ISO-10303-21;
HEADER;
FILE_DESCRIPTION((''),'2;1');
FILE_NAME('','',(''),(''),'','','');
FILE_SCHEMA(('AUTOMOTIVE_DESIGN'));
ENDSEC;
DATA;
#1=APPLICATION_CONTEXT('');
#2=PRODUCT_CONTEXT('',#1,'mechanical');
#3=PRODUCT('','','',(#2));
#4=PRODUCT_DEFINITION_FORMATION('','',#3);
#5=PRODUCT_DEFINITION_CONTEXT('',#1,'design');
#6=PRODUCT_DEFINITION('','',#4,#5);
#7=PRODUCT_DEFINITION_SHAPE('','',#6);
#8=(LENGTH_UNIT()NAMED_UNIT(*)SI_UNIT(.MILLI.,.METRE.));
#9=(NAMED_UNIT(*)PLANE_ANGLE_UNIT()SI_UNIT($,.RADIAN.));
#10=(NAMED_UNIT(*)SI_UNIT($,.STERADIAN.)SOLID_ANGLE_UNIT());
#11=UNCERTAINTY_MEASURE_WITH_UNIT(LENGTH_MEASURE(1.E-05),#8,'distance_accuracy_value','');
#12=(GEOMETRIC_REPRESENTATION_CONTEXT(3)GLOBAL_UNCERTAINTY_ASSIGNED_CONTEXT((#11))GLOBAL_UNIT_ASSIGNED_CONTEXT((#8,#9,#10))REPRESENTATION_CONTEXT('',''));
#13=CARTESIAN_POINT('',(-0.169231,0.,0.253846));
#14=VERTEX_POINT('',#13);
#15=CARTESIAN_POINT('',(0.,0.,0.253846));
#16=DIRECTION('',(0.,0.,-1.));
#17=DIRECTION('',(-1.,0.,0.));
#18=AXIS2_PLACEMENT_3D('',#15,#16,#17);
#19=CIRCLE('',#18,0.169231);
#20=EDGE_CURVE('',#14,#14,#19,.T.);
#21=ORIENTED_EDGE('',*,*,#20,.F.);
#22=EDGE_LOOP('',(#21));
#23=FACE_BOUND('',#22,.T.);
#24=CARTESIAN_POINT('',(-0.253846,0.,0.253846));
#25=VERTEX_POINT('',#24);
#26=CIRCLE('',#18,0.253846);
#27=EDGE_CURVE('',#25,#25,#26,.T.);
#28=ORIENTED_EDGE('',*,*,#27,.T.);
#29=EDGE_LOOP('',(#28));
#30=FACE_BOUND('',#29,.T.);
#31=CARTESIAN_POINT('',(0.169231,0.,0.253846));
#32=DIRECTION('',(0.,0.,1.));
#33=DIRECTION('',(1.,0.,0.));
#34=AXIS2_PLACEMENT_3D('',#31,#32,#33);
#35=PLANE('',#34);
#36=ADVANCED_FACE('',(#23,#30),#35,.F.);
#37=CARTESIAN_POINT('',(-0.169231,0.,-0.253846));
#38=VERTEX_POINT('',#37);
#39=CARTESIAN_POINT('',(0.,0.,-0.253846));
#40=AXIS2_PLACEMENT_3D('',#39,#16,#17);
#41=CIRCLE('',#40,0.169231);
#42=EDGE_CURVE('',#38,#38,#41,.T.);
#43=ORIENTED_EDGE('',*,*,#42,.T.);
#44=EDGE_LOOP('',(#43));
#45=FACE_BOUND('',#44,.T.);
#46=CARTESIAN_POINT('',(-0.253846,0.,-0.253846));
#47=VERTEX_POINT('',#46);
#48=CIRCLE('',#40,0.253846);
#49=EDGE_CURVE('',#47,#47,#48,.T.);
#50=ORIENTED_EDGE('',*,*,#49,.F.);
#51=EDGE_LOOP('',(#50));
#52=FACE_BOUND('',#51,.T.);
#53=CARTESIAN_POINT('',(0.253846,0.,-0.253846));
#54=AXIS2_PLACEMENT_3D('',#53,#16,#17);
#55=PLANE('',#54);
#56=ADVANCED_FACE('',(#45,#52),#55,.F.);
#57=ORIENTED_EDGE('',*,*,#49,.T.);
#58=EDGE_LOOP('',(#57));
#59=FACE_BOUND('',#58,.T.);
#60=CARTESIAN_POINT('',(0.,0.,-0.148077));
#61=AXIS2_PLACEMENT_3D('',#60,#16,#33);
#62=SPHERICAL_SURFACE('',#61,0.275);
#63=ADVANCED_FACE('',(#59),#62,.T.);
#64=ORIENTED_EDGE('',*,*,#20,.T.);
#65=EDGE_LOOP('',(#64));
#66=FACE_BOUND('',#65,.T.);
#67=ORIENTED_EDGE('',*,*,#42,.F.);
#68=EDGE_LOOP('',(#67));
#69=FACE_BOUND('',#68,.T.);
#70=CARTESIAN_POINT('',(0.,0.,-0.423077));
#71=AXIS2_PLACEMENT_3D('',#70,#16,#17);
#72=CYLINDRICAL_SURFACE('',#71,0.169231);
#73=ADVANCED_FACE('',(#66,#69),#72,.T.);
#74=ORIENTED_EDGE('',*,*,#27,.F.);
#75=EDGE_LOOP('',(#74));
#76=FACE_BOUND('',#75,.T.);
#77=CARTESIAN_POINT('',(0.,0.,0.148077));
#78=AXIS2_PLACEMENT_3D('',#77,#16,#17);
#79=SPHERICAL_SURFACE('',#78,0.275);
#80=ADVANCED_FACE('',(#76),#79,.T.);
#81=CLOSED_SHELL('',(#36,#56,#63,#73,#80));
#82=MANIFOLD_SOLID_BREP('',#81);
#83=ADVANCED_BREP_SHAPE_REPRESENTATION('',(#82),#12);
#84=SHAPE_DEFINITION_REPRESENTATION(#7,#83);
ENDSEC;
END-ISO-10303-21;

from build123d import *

# Parameters (mm, degrees)
SCALE_1_SCALE = 0.169230769


with BuildPart() as part:
    # 草图1 → 旋转1 (revolve)
    with BuildSketch(Plane(origin=(0, 0, 0), x_dir=(1, 0, 0), z_dir=(0, 1, 0)), mode=Mode.PRIVATE) as revolve_1_sk:
        with BuildLine():
            Line((0, 2.5), (0, -2.5))
            ThreePointArc((0, -2.5), (0.901387819, -2.227081728), (1.5, -1.5))
            Line((1.5, -1.5), (1, -1.5))
            Line((1, -1.5), (1, 1.5))
            Line((1, 1.5), (1.5, 1.5))
            ThreePointArc((1.5, 1.5), (0.901387819, 2.227081728), (0, 2.5))
        make_face()
    revolve(revolve_1_sk.sketch.rotate(Axis((0, 0, -2.5), (0, 0, 1)), 180), axis=Axis((0, 0, -2.5), (0, 0, 1)))


with BuildPart() as part_1:
    # 缩放比例1: scaled about (0, 0, 0)
    add(part.part.scale(SCALE_1_SCALE))


solid = part_1.part
